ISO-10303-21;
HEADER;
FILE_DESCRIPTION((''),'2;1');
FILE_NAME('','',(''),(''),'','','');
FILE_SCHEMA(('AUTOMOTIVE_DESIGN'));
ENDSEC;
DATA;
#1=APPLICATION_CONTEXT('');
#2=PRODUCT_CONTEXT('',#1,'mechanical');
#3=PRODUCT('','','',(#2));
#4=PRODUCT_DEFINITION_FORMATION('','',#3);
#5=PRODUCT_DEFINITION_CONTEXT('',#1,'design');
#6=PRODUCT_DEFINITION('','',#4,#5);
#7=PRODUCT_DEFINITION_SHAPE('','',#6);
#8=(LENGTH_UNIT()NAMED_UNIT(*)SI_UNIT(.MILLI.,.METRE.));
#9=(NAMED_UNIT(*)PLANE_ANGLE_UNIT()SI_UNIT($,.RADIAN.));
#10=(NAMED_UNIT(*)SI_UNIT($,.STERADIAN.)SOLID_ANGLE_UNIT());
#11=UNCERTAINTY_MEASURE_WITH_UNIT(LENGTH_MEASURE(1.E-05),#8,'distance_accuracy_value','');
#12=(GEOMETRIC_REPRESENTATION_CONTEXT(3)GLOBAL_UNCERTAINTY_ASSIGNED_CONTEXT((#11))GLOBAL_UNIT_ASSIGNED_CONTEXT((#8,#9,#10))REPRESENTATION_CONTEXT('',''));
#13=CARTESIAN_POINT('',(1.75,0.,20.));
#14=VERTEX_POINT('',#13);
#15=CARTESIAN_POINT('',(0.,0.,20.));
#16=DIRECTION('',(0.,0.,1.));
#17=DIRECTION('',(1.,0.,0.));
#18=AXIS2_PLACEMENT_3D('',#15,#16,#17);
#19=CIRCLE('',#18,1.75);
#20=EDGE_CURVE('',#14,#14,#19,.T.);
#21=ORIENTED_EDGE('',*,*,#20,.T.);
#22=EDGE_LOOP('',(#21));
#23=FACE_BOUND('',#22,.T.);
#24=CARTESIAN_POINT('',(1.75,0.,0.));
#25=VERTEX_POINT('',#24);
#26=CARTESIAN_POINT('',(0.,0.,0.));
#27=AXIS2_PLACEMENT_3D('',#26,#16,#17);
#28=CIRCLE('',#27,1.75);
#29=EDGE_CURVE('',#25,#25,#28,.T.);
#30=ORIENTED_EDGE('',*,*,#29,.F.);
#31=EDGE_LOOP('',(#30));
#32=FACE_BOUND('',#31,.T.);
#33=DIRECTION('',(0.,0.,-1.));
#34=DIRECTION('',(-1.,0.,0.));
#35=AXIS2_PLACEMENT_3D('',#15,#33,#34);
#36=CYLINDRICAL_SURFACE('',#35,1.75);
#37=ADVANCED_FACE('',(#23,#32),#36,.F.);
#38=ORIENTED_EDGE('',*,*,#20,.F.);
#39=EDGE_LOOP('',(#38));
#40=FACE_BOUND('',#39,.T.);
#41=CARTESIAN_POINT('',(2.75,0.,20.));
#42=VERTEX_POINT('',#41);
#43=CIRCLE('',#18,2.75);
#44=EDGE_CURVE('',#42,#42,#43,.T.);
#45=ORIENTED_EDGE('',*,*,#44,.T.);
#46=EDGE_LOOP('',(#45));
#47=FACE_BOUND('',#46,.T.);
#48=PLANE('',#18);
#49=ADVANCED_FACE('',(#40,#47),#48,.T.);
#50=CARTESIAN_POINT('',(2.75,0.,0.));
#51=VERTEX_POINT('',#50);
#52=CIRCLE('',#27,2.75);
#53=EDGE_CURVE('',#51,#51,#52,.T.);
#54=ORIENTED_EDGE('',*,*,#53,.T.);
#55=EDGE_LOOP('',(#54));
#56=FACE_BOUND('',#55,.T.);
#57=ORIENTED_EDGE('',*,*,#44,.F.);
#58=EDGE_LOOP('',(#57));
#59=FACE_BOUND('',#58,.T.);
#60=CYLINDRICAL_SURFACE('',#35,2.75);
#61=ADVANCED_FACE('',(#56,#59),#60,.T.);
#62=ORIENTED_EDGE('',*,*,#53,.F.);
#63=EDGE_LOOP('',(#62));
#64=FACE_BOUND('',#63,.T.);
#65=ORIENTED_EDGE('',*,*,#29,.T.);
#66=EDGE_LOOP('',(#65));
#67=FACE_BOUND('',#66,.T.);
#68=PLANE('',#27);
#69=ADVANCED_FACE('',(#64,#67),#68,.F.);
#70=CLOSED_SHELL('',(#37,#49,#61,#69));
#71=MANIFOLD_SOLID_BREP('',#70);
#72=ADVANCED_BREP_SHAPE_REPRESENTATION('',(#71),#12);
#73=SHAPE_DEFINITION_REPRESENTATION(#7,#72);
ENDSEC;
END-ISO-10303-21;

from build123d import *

# Parameters (mm, degrees)
SKETCH1_R           = 2.75
SKETCH1_R_2         = 1.75
BOSS_EXTRUDE1_DEPTH = 20


with BuildPart() as part:
    # Sketch1 → Boss-Extrude1 (new body)
    with BuildSketch(Plane.XY):
        Circle(SKETCH1_R)
        Circle(SKETCH1_R_2, mode=Mode.SUBTRACT)
    extrude(amount=BOSS_EXTRUDE1_DEPTH)


solid = part.part
